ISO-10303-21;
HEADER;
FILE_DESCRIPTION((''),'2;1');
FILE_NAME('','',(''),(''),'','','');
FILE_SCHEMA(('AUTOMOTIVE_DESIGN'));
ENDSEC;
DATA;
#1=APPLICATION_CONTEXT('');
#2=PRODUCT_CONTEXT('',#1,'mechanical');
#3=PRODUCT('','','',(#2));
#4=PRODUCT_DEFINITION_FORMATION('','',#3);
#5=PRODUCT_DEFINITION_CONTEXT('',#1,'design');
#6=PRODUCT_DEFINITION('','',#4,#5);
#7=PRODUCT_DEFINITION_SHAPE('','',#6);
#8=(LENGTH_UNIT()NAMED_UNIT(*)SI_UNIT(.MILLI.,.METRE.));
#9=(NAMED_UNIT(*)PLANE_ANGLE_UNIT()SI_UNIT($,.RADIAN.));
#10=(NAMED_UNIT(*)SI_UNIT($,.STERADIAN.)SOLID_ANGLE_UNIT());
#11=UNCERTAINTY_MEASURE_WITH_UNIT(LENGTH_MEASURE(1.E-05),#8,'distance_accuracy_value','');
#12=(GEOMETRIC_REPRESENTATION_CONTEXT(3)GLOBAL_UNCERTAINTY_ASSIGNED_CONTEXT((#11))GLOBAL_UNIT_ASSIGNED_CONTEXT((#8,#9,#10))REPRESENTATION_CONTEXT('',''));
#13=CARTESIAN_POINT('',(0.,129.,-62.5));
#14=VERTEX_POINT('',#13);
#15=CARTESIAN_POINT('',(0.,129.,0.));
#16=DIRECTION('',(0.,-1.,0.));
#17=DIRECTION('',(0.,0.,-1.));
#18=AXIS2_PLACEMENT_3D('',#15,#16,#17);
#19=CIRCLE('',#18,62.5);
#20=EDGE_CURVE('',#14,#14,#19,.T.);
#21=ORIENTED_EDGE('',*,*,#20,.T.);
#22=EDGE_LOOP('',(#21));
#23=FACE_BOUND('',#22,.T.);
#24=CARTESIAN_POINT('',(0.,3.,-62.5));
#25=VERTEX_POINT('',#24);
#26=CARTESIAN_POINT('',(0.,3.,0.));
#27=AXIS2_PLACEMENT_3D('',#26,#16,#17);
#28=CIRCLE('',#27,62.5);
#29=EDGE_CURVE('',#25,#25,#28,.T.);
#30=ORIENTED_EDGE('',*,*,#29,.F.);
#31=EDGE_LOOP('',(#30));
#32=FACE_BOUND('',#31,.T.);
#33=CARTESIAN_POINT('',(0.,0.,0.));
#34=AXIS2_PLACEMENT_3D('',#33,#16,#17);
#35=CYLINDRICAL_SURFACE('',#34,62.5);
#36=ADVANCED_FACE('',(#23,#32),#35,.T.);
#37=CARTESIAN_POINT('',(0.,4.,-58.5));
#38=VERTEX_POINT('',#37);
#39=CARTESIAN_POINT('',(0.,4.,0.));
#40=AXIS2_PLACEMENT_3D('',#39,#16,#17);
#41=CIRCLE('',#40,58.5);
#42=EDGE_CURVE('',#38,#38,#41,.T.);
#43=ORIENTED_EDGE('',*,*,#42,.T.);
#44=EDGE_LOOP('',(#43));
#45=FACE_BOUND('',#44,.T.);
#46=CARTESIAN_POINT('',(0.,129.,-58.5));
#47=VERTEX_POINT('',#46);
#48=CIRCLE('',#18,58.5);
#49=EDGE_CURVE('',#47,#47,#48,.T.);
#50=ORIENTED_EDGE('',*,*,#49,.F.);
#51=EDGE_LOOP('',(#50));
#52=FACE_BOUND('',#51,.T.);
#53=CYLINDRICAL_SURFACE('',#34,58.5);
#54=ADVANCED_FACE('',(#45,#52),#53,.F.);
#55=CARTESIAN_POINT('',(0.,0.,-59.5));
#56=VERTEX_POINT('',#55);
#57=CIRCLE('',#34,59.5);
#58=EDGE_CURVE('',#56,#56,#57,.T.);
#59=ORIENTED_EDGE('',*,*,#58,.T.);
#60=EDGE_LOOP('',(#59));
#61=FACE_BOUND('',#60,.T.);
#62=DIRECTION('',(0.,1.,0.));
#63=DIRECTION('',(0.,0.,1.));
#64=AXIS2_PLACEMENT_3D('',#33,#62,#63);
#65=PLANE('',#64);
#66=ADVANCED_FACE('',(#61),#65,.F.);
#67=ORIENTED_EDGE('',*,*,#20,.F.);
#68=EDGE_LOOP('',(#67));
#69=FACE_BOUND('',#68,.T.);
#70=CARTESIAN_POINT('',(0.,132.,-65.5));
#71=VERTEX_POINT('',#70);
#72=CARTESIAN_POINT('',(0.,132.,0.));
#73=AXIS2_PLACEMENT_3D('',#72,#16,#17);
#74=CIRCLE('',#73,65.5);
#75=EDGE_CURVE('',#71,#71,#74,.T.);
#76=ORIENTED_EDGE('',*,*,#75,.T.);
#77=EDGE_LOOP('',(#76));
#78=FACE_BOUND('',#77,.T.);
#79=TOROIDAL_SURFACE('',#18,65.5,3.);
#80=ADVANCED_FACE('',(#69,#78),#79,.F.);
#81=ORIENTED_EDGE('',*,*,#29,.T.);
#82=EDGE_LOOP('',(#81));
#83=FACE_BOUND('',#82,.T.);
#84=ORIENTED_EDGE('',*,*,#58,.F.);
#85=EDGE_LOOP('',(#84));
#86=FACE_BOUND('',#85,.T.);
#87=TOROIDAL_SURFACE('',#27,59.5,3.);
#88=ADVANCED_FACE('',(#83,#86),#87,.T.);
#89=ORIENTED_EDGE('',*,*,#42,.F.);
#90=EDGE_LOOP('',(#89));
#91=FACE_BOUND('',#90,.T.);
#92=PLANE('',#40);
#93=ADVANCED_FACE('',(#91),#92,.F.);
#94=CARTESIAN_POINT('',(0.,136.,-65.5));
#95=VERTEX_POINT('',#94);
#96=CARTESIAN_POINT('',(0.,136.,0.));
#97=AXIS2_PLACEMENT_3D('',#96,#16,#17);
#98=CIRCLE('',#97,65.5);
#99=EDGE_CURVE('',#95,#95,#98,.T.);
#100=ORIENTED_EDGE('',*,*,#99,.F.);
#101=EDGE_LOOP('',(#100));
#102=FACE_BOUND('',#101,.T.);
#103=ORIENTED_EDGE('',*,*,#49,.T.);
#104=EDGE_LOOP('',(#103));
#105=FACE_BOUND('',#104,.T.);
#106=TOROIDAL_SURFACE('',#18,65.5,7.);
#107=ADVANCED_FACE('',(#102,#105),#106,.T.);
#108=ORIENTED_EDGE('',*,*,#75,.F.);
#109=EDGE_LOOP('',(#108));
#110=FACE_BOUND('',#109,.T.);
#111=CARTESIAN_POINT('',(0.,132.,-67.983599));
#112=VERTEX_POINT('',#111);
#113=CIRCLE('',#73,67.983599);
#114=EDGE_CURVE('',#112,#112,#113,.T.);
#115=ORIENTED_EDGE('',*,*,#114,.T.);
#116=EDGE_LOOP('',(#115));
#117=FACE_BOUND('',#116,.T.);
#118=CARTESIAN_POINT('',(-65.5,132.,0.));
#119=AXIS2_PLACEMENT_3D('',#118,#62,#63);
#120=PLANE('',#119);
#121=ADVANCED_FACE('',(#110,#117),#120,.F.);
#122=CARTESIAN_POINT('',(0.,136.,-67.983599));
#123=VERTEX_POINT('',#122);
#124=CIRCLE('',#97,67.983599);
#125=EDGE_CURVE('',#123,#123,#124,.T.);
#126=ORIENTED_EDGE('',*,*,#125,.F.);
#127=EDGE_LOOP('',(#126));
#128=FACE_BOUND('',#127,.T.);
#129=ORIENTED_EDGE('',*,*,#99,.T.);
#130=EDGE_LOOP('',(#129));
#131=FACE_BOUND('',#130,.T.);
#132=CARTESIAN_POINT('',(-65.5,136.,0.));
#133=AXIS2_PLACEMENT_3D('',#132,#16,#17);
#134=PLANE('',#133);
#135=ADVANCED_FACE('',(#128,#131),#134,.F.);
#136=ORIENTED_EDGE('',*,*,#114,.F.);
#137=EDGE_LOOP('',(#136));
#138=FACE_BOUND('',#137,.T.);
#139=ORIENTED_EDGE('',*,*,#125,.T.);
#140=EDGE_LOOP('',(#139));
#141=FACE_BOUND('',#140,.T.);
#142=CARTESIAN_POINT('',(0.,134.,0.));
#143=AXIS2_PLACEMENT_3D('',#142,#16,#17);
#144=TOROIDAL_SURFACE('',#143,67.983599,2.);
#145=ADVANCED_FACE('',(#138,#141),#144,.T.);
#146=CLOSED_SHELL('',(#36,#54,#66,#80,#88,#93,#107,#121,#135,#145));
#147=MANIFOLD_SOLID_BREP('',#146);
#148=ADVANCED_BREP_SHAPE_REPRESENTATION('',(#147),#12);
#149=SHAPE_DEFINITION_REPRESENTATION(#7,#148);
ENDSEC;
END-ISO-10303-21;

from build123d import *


with BuildPart() as part:
    # Sketch1 → Revolve1 (revolve)
    with BuildSketch(Plane.XY, mode=Mode.PRIVATE) as revolve1_sk:
        with BuildLine():
            Line((0, 0), (-59.5, 0))
            ThreePointArc((-59.5, 0), (-61.621320344, 0.878679656), (-62.5, 3))
            Line((-62.5, 3), (-62.5, 129))
            ThreePointArc((-62.5, 129), (-63.378679656, 131.121320344), (-65.5, 132))
            Line((-65.5, 132), (-67.983599332, 132))
            ThreePointArc((-67.983599332, 132), (-69.983599332, 134), (-67.983599332, 136))
            Line((-67.983599332, 136), (-65.5, 136))
            ThreePointArc((-65.5, 136), (-60.550252532, 133.949747468), (-58.5, 129))
            Line((-58.5, 129), (-58.5, 4))
            Line((-58.5, 4), (0, 4))
            Line((0, 4), (0, 0))
        make_face()
    revolve(revolve1_sk.sketch.rotate(Axis((0, 0, 0), (0, 1, 0)), 270), axis=Axis((0, 0, 0), (0, 1, 0)))


solid = part.part
